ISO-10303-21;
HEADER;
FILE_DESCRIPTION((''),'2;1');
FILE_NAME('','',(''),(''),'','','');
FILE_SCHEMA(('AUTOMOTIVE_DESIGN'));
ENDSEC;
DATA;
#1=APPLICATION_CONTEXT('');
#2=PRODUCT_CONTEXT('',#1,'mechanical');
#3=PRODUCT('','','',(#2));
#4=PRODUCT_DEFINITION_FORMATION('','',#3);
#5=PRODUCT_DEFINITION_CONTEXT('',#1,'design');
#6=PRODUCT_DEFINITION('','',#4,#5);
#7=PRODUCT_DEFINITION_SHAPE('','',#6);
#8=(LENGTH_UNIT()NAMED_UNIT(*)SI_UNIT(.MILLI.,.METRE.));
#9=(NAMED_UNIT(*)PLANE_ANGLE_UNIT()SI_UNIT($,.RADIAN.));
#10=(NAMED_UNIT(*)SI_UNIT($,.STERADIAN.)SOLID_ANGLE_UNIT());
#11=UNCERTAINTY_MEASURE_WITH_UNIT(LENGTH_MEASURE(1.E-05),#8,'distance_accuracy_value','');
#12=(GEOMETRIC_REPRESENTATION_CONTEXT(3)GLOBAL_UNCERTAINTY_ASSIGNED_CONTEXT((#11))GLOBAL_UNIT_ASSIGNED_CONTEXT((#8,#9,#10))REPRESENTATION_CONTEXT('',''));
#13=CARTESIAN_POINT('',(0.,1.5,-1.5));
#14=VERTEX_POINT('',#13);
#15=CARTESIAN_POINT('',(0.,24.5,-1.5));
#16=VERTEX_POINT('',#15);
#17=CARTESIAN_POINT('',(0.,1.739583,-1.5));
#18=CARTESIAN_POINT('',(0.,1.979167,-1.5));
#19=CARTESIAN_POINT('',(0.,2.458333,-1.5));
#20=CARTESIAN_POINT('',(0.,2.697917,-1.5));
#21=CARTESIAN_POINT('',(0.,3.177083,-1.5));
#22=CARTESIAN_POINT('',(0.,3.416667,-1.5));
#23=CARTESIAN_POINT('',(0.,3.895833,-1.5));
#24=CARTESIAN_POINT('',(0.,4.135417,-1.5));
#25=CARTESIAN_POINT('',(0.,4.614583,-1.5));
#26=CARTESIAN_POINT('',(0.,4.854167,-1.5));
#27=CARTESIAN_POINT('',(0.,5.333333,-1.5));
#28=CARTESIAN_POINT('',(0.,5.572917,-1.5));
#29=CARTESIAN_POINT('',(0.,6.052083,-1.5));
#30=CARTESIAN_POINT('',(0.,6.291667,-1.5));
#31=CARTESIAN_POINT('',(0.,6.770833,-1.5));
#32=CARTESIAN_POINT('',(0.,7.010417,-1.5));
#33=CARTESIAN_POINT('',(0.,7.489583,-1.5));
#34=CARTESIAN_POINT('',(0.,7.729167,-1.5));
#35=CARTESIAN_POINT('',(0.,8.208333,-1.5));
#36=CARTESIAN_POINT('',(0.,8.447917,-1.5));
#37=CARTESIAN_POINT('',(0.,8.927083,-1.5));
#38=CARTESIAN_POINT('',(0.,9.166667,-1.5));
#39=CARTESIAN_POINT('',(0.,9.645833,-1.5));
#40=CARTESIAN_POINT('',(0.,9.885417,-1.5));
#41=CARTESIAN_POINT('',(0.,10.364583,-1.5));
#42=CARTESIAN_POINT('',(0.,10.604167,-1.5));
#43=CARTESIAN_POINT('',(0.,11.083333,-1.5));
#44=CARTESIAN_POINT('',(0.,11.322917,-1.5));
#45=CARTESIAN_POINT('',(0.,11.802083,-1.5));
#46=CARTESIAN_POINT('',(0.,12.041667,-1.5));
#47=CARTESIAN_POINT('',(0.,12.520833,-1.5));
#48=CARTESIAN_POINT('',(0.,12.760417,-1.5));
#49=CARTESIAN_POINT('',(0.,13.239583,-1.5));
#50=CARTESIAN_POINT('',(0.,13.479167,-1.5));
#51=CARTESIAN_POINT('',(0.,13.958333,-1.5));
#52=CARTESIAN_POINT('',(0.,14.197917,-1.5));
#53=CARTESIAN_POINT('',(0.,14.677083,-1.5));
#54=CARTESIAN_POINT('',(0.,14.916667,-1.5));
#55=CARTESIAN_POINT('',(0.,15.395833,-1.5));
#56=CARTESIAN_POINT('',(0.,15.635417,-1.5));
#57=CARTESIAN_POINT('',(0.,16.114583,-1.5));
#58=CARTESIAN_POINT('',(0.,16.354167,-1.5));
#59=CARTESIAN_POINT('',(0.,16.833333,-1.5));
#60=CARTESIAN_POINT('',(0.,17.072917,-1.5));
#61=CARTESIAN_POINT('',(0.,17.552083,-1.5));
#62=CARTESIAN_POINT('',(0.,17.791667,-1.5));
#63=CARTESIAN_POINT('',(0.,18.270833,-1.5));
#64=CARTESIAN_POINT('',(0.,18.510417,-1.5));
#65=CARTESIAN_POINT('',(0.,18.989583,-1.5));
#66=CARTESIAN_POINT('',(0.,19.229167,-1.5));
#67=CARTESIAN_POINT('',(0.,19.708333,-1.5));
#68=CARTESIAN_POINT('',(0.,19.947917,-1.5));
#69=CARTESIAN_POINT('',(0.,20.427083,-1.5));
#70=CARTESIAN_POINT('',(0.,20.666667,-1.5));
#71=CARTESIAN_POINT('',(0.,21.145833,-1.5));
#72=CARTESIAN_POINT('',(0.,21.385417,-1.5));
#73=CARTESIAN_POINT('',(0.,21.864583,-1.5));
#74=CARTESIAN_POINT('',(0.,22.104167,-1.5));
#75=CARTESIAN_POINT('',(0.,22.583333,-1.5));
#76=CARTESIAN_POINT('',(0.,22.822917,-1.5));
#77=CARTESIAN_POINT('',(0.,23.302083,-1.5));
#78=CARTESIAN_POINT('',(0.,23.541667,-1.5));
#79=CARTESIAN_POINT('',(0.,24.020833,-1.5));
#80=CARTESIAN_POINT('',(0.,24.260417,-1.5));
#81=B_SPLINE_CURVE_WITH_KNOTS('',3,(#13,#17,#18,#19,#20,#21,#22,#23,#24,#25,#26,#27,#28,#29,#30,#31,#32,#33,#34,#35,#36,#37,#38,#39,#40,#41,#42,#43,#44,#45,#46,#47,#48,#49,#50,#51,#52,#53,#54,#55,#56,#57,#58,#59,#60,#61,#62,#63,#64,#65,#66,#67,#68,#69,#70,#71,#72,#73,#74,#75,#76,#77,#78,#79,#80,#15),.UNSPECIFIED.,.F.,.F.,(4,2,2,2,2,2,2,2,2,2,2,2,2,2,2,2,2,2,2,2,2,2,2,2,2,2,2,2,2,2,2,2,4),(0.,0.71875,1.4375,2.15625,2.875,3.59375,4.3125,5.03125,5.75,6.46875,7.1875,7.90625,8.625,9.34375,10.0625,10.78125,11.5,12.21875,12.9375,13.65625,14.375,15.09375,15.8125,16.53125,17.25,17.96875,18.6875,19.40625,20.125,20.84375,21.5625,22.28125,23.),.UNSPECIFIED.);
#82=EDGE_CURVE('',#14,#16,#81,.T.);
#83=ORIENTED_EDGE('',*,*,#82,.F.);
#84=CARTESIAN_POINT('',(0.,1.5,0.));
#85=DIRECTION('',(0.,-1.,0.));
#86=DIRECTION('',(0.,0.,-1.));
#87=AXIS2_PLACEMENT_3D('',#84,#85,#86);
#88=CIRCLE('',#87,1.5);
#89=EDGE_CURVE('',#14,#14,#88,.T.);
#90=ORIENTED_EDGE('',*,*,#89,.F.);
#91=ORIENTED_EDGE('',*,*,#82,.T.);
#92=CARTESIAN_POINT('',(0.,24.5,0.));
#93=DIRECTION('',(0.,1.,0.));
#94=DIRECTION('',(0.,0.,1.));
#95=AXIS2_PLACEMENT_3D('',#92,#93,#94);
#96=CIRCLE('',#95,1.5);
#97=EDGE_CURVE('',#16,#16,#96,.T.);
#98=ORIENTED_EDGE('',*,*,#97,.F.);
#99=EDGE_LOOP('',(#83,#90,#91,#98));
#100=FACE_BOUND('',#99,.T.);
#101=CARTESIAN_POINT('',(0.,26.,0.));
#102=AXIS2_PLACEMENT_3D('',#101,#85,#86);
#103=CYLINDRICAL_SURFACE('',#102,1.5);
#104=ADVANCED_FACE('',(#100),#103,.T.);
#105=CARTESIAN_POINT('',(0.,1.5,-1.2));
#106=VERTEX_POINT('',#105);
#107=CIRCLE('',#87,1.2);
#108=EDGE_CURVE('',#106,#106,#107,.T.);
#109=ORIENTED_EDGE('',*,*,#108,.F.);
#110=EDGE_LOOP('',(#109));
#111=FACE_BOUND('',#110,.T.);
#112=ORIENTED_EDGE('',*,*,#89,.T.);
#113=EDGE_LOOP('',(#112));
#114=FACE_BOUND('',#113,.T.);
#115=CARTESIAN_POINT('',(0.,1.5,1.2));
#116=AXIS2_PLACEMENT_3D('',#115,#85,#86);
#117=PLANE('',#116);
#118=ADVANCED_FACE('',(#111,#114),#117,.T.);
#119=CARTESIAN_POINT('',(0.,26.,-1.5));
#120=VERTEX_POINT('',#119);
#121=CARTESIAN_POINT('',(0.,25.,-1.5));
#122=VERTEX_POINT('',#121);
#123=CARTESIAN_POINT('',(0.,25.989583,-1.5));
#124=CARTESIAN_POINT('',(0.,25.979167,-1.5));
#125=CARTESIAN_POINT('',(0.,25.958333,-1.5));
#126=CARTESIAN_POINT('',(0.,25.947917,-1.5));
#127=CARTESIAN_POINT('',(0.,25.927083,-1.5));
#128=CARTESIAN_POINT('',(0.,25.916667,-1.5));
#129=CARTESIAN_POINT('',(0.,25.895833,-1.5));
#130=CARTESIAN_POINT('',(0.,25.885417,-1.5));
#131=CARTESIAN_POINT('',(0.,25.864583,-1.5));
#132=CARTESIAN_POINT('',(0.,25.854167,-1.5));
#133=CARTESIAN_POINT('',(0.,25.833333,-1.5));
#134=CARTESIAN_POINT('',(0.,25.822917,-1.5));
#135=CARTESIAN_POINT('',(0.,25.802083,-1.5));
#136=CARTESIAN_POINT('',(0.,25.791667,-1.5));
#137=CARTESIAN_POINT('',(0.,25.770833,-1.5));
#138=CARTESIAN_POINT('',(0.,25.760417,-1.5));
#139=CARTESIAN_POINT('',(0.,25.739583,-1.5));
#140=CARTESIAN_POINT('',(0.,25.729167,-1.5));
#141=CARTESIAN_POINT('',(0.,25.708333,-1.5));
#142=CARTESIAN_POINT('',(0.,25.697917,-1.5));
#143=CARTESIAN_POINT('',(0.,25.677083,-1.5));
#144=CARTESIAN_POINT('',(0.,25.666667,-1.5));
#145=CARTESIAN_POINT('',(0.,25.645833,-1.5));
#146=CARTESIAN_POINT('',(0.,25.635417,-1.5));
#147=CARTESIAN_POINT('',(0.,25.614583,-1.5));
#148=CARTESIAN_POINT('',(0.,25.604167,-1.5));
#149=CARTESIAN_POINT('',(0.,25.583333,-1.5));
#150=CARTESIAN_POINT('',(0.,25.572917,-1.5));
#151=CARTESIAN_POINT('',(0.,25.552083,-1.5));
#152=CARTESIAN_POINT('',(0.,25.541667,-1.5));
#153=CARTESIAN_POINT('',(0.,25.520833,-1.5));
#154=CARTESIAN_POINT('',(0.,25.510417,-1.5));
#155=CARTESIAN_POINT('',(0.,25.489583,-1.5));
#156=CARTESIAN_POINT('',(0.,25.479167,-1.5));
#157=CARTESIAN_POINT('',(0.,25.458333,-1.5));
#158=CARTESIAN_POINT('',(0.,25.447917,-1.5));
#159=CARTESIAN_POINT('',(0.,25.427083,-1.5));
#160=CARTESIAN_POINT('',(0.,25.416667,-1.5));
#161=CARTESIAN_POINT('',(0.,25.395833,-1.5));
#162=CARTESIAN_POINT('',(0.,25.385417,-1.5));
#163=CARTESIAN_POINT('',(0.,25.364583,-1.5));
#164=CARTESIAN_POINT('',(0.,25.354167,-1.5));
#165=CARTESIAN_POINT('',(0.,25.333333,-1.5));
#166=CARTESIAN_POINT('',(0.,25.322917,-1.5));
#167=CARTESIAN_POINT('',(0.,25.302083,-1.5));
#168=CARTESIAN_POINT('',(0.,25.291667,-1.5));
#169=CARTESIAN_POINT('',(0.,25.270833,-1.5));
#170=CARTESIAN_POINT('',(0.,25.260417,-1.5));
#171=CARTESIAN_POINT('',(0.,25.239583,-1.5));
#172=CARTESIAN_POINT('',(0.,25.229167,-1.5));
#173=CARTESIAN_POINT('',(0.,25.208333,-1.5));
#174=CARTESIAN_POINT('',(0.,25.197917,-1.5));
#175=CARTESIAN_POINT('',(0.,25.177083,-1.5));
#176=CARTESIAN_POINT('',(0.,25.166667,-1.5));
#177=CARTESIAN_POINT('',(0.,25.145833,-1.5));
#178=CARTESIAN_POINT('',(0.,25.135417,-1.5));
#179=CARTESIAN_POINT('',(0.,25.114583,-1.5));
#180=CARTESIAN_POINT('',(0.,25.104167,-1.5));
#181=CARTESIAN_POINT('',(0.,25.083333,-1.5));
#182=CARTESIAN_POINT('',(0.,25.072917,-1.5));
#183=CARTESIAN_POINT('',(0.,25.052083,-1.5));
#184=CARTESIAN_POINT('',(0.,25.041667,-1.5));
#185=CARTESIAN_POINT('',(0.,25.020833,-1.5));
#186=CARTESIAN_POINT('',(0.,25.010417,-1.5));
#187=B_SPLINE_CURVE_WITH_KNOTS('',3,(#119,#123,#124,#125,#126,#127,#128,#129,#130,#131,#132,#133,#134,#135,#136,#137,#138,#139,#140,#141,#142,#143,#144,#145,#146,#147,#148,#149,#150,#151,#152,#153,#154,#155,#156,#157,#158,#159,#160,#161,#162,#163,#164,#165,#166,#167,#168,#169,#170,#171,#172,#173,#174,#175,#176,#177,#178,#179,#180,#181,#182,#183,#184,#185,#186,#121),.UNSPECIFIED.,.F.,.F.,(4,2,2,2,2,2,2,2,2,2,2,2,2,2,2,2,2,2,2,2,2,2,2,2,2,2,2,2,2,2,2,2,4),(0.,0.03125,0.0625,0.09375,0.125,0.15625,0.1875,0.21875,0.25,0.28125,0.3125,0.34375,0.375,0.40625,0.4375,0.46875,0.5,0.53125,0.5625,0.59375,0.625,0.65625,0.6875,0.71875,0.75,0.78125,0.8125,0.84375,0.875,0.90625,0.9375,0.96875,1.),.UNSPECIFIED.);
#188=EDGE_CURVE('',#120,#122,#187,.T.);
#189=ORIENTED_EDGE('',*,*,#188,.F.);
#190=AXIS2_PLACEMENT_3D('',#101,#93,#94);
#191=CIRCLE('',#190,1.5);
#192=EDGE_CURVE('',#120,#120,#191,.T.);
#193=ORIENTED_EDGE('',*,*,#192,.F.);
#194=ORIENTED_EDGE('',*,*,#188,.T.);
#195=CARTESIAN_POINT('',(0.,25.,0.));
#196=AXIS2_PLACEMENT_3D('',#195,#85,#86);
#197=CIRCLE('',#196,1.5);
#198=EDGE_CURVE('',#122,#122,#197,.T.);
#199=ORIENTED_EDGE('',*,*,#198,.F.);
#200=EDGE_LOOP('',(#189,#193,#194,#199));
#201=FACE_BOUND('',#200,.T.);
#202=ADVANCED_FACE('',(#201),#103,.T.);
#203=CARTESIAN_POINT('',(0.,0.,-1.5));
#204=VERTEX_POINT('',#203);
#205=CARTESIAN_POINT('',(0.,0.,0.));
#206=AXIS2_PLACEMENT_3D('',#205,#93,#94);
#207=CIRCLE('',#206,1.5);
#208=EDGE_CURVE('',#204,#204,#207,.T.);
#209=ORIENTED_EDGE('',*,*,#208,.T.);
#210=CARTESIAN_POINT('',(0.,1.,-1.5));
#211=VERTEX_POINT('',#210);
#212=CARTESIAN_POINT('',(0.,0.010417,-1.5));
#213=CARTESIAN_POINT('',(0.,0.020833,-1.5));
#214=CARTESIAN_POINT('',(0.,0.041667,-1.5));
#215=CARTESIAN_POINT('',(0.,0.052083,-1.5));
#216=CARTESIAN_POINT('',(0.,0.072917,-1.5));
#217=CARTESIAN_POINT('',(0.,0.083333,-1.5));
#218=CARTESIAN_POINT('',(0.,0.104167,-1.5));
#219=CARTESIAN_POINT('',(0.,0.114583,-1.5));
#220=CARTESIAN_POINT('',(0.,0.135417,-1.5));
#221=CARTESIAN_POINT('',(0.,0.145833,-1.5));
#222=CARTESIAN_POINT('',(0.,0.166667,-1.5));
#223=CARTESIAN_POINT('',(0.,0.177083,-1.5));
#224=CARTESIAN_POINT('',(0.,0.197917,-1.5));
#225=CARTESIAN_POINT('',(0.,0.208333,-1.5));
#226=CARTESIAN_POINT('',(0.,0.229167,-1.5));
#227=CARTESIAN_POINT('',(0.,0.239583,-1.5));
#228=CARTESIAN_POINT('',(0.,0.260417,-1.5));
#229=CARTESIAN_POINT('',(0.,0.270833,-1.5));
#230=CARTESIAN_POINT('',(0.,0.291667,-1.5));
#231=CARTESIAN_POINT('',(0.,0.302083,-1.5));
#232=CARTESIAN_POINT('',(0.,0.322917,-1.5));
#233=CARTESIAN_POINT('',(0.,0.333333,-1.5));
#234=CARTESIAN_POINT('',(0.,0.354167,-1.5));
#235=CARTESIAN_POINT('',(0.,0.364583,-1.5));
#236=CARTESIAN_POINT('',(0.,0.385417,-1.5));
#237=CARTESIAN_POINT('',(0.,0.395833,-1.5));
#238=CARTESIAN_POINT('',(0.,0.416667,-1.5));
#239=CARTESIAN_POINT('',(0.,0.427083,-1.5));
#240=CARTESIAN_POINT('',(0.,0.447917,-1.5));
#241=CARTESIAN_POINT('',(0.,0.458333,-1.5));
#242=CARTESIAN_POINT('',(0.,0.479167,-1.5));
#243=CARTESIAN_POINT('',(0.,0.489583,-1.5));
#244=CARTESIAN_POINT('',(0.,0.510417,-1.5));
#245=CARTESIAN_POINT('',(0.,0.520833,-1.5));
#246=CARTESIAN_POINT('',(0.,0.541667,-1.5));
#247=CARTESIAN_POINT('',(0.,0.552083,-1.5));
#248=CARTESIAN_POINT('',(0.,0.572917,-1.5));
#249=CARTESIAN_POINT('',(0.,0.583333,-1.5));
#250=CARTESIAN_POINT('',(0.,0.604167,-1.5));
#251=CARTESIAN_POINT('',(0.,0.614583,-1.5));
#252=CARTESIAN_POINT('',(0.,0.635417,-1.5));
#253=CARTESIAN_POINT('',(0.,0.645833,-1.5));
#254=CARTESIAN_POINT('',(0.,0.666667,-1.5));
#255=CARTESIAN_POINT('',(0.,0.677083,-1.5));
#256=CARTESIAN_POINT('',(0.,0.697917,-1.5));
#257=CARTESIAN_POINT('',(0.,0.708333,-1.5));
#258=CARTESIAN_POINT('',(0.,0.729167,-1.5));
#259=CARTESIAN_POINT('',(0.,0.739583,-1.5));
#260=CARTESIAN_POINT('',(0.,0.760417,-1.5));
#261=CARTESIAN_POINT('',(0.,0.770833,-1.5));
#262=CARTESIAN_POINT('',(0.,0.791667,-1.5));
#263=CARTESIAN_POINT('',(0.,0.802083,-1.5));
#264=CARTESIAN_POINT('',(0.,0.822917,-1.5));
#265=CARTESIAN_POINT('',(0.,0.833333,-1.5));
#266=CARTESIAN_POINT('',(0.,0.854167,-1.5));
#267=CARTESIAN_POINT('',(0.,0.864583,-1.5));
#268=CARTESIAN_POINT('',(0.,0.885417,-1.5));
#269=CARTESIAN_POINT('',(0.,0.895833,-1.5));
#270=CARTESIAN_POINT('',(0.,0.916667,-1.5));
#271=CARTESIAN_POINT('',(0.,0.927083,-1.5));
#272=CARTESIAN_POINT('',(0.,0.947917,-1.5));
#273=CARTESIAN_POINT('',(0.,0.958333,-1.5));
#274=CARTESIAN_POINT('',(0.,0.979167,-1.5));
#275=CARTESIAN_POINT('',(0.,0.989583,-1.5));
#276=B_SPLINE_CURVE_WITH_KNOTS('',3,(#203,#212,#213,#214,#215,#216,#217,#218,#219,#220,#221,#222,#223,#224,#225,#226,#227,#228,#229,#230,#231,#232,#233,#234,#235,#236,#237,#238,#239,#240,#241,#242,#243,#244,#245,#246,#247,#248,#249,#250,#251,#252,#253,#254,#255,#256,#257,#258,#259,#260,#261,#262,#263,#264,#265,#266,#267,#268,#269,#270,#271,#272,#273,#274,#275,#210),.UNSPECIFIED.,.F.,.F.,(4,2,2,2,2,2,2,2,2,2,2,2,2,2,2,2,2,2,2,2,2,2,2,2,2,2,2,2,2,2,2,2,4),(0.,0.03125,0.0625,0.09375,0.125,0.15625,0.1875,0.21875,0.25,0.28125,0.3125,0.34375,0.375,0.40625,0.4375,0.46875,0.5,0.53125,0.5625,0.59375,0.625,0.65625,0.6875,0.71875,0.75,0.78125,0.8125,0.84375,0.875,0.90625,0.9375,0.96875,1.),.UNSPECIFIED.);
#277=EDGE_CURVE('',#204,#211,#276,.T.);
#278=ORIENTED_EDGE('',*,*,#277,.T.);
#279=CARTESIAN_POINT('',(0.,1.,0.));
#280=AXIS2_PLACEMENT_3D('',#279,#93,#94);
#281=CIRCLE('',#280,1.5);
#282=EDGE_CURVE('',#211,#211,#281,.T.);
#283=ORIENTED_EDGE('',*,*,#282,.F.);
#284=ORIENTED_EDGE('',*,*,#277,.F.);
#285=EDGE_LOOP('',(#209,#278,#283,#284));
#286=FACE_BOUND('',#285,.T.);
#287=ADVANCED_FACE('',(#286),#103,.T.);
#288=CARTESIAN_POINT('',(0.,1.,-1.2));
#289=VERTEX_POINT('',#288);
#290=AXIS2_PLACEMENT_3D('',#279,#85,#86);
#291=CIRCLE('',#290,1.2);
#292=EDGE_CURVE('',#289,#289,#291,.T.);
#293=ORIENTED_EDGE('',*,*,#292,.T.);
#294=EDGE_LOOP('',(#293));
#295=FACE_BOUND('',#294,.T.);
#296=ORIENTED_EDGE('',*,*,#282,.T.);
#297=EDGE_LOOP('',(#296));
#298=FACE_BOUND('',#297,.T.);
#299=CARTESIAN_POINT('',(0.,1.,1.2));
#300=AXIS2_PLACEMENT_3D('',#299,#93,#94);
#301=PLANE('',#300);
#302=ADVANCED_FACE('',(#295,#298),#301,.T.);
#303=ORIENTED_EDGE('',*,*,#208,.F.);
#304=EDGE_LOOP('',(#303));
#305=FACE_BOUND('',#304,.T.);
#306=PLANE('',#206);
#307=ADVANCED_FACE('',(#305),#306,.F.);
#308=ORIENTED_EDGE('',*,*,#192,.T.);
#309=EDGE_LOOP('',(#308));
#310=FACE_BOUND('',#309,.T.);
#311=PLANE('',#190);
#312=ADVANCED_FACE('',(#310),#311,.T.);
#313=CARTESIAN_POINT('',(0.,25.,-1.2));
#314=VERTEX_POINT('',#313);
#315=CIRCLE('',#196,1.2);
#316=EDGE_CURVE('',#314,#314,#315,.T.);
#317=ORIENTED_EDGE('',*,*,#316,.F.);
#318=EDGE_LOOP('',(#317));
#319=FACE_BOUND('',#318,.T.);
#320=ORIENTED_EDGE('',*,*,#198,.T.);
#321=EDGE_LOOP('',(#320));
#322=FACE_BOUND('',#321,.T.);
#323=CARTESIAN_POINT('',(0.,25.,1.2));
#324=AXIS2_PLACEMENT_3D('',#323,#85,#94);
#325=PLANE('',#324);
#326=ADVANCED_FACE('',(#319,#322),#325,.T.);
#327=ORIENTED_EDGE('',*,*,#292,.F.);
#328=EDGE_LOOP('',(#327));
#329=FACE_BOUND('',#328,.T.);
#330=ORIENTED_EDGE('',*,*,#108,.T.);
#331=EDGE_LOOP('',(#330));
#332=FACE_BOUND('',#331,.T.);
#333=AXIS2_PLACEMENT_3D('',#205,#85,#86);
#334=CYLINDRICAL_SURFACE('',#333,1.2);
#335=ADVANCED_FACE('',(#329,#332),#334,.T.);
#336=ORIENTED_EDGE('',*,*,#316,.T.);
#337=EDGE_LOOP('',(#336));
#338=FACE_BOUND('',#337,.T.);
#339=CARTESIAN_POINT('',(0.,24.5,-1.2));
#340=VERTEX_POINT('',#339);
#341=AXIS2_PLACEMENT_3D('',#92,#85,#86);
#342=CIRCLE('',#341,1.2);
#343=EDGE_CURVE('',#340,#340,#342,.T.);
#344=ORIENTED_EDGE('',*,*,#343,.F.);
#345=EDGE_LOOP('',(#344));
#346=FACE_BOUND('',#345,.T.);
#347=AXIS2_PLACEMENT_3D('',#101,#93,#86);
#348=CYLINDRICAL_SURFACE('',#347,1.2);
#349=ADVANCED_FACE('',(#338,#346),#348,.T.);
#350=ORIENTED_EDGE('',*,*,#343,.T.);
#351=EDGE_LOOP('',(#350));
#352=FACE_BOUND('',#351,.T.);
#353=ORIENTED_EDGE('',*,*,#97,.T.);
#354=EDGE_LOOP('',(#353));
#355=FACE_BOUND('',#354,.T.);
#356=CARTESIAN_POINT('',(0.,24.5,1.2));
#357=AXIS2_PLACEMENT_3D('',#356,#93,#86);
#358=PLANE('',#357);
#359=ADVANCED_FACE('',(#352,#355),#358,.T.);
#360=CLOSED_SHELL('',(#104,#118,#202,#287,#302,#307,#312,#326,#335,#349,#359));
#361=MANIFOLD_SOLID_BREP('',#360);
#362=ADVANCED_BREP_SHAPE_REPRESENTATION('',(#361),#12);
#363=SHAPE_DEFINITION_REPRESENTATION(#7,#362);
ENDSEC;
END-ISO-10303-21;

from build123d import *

# Parameters (mm, degrees)
SKETCH1_R           = 1.5
BOSS_EXTRUDE1_DEPTH = 26
SKETCH2_W           = 2.6975544
SKETCH2_H           = 0.5


with BuildPart() as part:
    # Sketch1 → Boss-Extrude1 (new body)
    with BuildSketch(Plane(origin=(0, 0, 0), x_dir=(1, 0, 0), z_dir=(0, 1, 0))):
        with Locations(Location((0, 0, 0), (0, 0, 90))):
            Circle(SKETCH1_R)
    extrude(amount=BOSS_EXTRUDE1_DEPTH)

    # Sketch2 → Cut-Revolve1 (revolve, cut)
    with BuildSketch(Plane(origin=(0, 0, 0), x_dir=(0, 0, -1), z_dir=(1, 0, 0)), mode=Mode.PRIVATE) as cut_revolve1_sk:
        with Locations((-2.5487772, 1.25)):
            Rectangle(SKETCH2_W, SKETCH2_H)
    cut_revolve1 = revolve(cut_revolve1_sk.sketch.rotate(Axis((0, 0, 0), (0, 1, 0)), 180), axis=Axis((0, 0, 0), (0, 1, 0)), mode=Mode.SUBTRACT)

    # Mirror1: Cut-Revolve1 across plane
    add(cut_revolve1.mirror(Plane.ZX.offset(13)), mode=Mode.SUBTRACT)


solid = part.part
